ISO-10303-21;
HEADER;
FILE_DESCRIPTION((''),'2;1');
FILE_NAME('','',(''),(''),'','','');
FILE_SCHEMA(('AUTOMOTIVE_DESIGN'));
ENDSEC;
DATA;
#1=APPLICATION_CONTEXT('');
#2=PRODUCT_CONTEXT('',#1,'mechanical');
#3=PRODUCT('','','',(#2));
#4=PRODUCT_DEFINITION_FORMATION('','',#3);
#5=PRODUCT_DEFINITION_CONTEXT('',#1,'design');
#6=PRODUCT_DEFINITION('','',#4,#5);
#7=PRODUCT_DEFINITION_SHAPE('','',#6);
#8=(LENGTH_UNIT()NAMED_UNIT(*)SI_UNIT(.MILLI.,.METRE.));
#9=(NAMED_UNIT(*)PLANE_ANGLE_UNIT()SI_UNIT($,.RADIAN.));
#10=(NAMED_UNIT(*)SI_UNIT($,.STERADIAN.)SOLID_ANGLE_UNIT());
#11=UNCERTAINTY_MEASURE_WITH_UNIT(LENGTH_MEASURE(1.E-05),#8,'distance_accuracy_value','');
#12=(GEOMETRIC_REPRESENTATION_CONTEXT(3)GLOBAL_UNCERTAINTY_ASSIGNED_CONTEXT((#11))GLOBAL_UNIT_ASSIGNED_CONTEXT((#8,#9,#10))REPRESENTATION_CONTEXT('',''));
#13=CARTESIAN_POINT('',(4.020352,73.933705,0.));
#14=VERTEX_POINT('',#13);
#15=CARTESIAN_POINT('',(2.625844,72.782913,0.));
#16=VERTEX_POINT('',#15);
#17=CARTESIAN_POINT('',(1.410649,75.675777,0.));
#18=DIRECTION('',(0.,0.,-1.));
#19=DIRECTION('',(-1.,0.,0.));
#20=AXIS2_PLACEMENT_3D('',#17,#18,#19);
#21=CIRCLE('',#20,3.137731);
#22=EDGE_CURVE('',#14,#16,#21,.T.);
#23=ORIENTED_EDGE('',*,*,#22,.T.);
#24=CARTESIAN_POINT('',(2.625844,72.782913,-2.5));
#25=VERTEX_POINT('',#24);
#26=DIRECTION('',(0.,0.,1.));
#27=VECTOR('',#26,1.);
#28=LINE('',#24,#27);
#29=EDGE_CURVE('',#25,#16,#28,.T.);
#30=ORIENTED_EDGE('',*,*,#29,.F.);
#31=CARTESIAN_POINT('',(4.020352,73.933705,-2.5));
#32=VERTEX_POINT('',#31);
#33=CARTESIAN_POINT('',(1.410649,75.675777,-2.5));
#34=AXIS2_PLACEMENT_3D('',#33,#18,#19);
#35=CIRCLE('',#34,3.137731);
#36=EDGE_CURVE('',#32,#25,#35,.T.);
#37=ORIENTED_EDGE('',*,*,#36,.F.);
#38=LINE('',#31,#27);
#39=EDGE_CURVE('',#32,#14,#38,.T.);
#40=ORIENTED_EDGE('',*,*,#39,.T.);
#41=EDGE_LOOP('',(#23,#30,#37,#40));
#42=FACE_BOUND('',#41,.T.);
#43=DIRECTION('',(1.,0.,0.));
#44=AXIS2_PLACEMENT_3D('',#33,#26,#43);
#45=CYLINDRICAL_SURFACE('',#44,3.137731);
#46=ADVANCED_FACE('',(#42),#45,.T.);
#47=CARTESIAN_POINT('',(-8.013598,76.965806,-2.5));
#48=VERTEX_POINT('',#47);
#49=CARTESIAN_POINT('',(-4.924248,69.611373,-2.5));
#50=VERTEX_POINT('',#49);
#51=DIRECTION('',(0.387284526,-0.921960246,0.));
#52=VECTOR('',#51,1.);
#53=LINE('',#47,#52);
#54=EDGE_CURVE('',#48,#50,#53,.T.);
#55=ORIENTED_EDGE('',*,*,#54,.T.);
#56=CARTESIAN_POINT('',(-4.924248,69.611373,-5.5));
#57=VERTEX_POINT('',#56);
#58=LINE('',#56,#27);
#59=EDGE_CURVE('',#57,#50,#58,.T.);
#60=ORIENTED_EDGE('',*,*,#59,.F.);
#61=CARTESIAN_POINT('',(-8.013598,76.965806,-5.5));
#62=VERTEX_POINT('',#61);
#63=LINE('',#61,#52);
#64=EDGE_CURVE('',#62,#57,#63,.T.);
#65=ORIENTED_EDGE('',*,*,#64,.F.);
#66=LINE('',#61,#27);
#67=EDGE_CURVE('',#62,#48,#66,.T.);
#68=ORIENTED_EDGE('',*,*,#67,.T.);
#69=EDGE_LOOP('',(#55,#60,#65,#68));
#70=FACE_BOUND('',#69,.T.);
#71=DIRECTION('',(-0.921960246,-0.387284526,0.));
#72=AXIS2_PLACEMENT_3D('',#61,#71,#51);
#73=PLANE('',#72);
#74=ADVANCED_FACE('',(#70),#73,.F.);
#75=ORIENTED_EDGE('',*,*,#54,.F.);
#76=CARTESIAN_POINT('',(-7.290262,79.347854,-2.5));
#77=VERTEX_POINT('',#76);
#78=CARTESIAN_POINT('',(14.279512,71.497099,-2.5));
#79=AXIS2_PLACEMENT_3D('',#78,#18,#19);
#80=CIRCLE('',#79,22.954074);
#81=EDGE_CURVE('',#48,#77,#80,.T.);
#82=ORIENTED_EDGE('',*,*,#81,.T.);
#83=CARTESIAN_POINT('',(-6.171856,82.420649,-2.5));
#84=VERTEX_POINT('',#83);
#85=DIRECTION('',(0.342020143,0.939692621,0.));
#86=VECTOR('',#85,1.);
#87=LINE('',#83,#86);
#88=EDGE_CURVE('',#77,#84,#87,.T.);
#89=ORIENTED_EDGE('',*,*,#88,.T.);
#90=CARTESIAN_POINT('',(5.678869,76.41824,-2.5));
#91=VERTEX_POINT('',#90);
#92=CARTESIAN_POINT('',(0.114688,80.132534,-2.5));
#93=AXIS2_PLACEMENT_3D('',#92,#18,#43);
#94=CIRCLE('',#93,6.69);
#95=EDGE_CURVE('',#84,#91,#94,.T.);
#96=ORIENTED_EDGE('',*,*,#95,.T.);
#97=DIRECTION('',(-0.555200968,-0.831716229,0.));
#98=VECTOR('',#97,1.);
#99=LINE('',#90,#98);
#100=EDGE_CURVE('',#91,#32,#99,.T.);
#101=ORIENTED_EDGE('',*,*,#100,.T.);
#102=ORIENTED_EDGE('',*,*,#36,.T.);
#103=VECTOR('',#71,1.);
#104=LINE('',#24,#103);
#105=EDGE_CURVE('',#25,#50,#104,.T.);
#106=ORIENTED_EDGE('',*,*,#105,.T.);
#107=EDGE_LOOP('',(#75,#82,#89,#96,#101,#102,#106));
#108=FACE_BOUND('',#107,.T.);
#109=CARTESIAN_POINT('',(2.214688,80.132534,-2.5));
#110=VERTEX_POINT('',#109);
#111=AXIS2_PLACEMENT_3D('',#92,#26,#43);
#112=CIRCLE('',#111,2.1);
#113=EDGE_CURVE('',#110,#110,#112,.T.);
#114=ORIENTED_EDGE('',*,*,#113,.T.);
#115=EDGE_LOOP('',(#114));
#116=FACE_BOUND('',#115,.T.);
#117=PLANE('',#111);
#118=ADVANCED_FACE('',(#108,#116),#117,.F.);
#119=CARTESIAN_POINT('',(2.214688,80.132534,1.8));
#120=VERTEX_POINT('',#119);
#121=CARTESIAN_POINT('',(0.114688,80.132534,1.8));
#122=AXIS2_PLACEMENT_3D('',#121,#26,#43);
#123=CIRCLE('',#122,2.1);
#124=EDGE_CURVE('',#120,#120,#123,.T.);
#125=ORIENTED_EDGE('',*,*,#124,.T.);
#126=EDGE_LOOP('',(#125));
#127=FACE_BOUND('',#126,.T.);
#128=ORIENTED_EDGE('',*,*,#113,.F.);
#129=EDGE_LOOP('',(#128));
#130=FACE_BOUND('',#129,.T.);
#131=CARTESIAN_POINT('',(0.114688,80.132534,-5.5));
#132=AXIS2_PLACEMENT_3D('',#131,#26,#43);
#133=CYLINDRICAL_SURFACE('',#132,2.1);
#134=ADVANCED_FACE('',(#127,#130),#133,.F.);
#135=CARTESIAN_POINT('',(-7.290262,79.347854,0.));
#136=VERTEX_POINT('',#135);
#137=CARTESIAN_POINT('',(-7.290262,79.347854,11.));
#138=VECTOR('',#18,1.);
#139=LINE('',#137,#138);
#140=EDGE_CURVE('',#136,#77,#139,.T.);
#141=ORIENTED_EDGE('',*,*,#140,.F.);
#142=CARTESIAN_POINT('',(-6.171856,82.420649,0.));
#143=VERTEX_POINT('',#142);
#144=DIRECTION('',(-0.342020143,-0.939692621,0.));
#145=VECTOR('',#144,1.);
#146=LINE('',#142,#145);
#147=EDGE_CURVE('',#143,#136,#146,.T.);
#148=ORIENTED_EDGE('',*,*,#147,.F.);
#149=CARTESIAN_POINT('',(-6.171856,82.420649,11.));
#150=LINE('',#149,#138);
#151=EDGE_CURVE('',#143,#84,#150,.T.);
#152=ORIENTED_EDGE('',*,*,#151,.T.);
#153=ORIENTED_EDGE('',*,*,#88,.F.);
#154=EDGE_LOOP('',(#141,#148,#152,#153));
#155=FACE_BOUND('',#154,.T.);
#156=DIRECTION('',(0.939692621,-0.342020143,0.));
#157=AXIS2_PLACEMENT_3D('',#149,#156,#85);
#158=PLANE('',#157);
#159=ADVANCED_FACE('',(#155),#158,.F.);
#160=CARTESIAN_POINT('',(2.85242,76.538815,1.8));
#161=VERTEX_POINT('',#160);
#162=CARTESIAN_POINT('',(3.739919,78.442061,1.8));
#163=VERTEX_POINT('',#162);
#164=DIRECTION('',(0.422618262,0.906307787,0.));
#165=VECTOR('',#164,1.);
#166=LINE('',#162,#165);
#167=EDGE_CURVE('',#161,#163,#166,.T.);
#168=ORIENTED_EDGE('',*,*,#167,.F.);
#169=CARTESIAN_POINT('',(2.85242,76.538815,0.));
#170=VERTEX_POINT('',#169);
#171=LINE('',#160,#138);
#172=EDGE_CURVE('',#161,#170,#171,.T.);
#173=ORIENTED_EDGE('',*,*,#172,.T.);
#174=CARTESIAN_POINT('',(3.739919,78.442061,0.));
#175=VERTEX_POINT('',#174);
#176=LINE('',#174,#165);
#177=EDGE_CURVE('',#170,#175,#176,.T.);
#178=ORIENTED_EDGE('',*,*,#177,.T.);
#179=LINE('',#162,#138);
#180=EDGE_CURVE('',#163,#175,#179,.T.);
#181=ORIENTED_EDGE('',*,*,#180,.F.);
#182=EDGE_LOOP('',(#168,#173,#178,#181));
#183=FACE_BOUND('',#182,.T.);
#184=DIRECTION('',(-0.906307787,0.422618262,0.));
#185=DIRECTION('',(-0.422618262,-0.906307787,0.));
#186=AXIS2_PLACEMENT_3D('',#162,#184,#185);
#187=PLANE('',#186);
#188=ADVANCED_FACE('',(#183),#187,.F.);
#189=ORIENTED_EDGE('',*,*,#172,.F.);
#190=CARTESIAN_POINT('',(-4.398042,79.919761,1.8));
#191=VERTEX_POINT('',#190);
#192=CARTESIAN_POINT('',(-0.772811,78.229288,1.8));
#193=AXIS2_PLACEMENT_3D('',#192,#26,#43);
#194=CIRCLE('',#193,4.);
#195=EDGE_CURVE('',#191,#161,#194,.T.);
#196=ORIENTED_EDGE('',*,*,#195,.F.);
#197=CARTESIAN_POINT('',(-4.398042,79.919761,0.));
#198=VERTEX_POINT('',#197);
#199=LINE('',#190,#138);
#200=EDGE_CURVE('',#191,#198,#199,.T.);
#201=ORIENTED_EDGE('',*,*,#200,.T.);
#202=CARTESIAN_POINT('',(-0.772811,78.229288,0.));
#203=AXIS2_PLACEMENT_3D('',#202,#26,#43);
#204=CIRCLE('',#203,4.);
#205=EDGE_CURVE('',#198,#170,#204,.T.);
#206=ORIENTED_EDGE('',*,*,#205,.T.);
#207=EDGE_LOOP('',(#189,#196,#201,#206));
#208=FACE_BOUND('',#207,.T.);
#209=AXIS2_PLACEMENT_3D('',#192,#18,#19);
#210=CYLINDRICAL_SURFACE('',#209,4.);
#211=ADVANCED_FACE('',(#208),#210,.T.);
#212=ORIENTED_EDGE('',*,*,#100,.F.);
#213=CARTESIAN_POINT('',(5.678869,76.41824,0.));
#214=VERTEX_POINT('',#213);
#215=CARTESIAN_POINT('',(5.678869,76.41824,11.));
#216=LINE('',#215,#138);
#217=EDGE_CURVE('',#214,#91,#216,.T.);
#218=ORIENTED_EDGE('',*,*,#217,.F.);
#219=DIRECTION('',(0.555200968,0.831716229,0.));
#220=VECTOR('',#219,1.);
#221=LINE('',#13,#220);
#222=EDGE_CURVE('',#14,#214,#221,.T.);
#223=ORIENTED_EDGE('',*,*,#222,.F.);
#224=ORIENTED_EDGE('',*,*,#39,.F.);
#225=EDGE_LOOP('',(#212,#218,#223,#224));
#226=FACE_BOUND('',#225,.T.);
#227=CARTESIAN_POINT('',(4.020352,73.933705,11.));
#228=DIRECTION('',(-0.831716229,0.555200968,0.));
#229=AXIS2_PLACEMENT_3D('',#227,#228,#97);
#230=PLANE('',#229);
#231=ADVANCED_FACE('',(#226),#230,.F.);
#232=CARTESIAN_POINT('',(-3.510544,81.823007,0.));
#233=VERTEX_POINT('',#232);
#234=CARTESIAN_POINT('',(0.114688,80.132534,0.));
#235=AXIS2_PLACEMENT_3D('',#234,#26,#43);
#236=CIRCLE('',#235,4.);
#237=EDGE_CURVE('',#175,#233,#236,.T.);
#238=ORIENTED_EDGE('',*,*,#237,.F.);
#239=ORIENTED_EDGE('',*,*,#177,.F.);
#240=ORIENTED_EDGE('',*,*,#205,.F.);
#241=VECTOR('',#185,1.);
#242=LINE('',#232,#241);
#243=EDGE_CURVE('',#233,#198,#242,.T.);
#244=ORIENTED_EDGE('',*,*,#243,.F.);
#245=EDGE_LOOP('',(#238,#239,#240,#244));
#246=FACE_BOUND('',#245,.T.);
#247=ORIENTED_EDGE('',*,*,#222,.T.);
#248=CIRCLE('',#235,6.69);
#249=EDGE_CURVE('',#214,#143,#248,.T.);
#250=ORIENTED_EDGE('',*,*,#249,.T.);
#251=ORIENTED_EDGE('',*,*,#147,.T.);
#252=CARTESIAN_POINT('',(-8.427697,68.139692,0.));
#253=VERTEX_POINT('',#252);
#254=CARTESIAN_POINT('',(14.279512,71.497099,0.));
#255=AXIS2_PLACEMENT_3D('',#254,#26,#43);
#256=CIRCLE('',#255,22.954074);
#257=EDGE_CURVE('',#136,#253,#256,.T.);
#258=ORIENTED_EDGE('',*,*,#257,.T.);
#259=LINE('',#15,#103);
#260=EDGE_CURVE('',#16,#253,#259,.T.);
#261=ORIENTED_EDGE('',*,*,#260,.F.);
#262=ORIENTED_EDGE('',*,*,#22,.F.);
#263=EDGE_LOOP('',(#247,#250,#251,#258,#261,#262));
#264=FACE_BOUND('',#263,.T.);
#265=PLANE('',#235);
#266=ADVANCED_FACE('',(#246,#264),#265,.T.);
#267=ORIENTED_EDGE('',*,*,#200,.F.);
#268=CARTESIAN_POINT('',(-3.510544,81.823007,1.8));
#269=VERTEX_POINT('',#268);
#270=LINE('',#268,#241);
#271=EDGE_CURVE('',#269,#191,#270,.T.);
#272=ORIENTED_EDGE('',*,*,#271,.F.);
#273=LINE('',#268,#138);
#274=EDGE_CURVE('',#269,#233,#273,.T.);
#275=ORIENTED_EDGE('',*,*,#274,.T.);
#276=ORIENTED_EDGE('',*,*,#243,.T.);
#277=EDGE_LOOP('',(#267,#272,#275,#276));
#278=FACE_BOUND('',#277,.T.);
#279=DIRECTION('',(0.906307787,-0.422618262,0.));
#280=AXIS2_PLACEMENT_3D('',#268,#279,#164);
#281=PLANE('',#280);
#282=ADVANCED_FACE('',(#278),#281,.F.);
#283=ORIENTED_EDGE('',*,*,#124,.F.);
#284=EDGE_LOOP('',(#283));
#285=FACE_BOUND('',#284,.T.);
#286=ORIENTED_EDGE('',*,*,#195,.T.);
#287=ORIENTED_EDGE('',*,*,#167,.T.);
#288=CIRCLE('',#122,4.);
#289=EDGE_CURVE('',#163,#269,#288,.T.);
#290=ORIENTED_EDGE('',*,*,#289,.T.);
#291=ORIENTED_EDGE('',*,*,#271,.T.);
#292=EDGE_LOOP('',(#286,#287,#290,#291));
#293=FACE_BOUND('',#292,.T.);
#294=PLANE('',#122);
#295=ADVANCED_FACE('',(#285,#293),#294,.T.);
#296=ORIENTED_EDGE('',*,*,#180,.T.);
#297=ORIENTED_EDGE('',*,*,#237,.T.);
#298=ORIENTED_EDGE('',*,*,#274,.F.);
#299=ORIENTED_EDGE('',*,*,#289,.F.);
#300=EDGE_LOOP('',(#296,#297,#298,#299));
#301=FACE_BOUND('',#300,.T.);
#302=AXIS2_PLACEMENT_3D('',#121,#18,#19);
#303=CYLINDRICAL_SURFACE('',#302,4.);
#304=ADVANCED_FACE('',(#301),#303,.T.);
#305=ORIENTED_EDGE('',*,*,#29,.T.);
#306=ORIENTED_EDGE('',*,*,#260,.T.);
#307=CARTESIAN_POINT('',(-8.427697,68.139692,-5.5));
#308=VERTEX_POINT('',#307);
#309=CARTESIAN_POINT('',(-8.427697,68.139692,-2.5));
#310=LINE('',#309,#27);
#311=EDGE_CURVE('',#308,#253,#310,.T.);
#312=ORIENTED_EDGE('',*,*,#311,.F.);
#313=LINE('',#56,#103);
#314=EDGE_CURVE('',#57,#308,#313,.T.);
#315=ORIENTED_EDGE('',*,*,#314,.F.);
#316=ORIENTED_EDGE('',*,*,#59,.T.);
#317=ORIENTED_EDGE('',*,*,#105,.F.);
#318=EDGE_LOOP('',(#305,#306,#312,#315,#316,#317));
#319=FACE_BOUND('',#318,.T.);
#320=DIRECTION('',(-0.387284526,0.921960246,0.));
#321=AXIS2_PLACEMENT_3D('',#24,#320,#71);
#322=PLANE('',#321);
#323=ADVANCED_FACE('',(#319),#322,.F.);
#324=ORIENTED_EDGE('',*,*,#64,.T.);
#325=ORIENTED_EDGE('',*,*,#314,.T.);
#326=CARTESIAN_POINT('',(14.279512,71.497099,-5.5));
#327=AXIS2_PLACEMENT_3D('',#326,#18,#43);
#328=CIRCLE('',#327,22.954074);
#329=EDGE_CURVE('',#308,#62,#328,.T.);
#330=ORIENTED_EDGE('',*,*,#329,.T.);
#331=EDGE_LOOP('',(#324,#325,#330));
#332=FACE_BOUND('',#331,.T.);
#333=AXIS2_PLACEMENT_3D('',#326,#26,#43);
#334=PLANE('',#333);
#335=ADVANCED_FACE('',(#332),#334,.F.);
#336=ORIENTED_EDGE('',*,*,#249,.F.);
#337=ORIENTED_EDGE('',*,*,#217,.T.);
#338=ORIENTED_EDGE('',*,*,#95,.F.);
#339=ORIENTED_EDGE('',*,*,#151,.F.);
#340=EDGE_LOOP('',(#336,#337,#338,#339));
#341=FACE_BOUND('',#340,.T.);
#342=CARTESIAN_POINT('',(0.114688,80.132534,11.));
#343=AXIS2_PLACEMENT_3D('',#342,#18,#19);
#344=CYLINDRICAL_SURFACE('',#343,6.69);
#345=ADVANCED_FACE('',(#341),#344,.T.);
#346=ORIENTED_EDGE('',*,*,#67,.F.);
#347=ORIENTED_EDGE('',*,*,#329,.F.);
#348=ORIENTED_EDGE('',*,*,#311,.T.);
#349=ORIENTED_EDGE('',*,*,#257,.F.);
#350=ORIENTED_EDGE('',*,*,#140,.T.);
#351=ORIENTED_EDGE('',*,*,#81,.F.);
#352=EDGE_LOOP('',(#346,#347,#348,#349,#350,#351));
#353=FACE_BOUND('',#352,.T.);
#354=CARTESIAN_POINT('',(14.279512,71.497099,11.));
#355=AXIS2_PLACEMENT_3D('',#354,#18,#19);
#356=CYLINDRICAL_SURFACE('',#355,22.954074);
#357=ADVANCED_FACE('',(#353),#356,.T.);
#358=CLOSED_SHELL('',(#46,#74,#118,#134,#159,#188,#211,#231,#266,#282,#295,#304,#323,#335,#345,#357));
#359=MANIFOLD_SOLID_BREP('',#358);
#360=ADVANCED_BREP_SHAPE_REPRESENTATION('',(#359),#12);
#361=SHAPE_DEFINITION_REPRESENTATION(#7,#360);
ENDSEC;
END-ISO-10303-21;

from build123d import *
from build123d.topology import SkipClean

# Parameters (mm, degrees)
SKETCH3_R           = 2.75
SKETCH3_R_2         = 2.1
BOSS_EXTRUDE2_DEPTH = 11
BOSS_EXTRUDE4_START = 2.5
BOSS_EXTRUDE4_DEPTH = 2.5
BOSS_EXTRUDE3_START = 3
BOSS_EXTRUDE3_DEPTH = 3
SKETCH14_W          = 47.285712055
SKETCH14_H          = 12.595473758
CUT_EXTRUDE1_DEPTH  = 92.326119258
BOSS_EXTRUDE5_DEPTH = 1.8
SKETCH15_R          = 2.1
CUT_EXTRUDE2_DEPTH  = 88.559639697


with BuildPart() as part:
    # Sketch3 → Boss-Extrude2 (new body)
    with BuildSketch(Plane.XY):
        with BuildLine():
            Line((11.81639044, 60.252883085), (11.728372068, 60.311638564))
            ThreePointArc((11.728372068, 60.311638564), (8.917204522, 62.7925154), (6.866230988, 65.931132995))
            ThreePointArc((6.866230988, 65.931132995), (6.025591445, 67.274340702), (4.901176311, 68.390840765))
            ThreePointArc((4.901176311, 68.390840765), (3.375934297, 70.989881123), (4.020351516, 73.93370524))
            Line((4.020351516, 73.93370524), (5.678869184, 76.41823992))
            ThreePointArc((5.678869184, 76.41823992), (3.137547336, 86.100651278), (-6.171856019, 82.420649156))
            Line((-6.171856019, 82.420649156), (-7.290261888, 79.347854286))
            ThreePointArc((-7.290261888, 79.347854286), (-8.557893098, 69.185727028), (-5.279809822, 59.483671095))
            ThreePointArc((-5.279809822, 59.483671095), (-2.848156457, 57.139360441), (0.414833066, 56.266646336))
            ThreePointArc((0.414833066, 56.266646336), (3.287818882, 55.822166382), (5.91364728, 54.574514525))
            Line((5.91364728, 54.574514525), (7.374782695, 53.599153256))
            ThreePointArc((7.374782695, 53.599153256), (10.815902262, 50.678650143), (13.499590609, 47.049812979))
            ThreePointArc((13.499590609, 47.049812979), (24.965953819, 46.665736496), (20.21385057, 57.108078892))
            ThreePointArc((20.21385057, 57.108078892), (15.833272198, 58.194897845), (11.81639044, 60.252883085))
        make_face()
        with Locations((19.351869275, 50.413343031)):
            Circle(SKETCH3_R, mode=Mode.SUBTRACT)
        with Locations((0.471910886, 63.016405008)):
            Circle(SKETCH3_R, mode=Mode.SUBTRACT)
        with Locations((0.114687614, 80.132534397)):
            Circle(SKETCH3_R_2, mode=Mode.SUBTRACT)
    extrude(amount=BOSS_EXTRUDE2_DEPTH)

    # Sketch13 → Boss-Extrude4 (add)
    with SkipClean():  # the faces are left unmerged after this step: merging them gives an invalid solid
        with BuildSketch(Plane(origin=(0, 0, 0), x_dir=(-1, 0, 0), z_dir=(0, 0, -1)).offset(BOSS_EXTRUDE4_START)):
            with BuildLine():
                Line((-5.678869184, 76.41823992), (-4.020351516, 73.93370524))
                ThreePointArc((-4.020351516, 73.93370524), (-3.407782277, 73.255690271), (-2.625844204, 72.782913134))
                Line((-2.625844204, 72.782913134), (8.427696777, 68.139691908))
                ThreePointArc((8.427696777, 68.139691908), (8.557268078, 73.814637343), (7.290261888, 79.347854286))
                Line((7.290261888, 79.347854286), (6.171856019, 82.420649156))
                ThreePointArc((6.171856019, 82.420649156), (-3.137547336, 86.100651278), (-5.678869184, 76.41823992))
            make_face()
        extrude(amount=-BOSS_EXTRUDE4_DEPTH)

    # Sketch12 → Boss-Extrude3 (add)
    with SkipClean():  # the faces are left unmerged after this step: merging them gives an invalid solid
        with BuildSketch(Plane(origin=(0, 0, -2.5), x_dir=(-1, 0, 0), z_dir=(0, 0, -1)).offset(BOSS_EXTRUDE3_START)):
            with BuildLine():
                Line((8.013597957, 76.965805827), (4.924247842, 69.611373108))
                Line((4.924247842, 69.611373108), (8.427696777, 68.139691908))
                ThreePointArc((8.427696777, 68.139691908), (8.649339764, 72.572862025), (8.013597957, 76.965805827))
            make_face()
        extrude(amount=-BOSS_EXTRUDE3_DEPTH)

    # Sketch14 → Cut-Extrude1 (cut, through all)
    with BuildSketch(Plane(origin=(0, 0, 0), x_dir=(1, 0, 0), z_dir=(0, 1, 0))):
        with Locations((8.412006537, -6.297736879)):
            Rectangle(SKETCH14_W, SKETCH14_H)
    extrude(amount=CUT_EXTRUDE1_DEPTH, mode=Mode.SUBTRACT)

    # Sketch16 → Boss-Extrude5 (add)
    with BuildSketch(Plane.XY):
        with BuildLine():
            Line((3.739918762, 78.44206135), (2.852420412, 76.538814997))
            ThreePointArc((2.852420412, 76.538814997), (-2.463283783, 74.604056896), (-4.398041884, 79.919761091))
            Line((-4.398041884, 79.919761091), (-3.510543534, 81.823007444))
            ThreePointArc((-3.510543534, 81.823007444), (1.805160661, 83.757765545), (3.739918762, 78.44206135))
        make_face()
    extrude(amount=BOSS_EXTRUDE5_DEPTH)

    # Sketch15 → Cut-Extrude2 (cut, through all)
    with BuildSketch(Plane.XY.offset(1.8)):
        with Locations((0.114687614, 80.132534397)):
            Circle(SKETCH15_R)
    extrude(amount=-CUT_EXTRUDE2_DEPTH, mode=Mode.SUBTRACT)


solid = part.part
